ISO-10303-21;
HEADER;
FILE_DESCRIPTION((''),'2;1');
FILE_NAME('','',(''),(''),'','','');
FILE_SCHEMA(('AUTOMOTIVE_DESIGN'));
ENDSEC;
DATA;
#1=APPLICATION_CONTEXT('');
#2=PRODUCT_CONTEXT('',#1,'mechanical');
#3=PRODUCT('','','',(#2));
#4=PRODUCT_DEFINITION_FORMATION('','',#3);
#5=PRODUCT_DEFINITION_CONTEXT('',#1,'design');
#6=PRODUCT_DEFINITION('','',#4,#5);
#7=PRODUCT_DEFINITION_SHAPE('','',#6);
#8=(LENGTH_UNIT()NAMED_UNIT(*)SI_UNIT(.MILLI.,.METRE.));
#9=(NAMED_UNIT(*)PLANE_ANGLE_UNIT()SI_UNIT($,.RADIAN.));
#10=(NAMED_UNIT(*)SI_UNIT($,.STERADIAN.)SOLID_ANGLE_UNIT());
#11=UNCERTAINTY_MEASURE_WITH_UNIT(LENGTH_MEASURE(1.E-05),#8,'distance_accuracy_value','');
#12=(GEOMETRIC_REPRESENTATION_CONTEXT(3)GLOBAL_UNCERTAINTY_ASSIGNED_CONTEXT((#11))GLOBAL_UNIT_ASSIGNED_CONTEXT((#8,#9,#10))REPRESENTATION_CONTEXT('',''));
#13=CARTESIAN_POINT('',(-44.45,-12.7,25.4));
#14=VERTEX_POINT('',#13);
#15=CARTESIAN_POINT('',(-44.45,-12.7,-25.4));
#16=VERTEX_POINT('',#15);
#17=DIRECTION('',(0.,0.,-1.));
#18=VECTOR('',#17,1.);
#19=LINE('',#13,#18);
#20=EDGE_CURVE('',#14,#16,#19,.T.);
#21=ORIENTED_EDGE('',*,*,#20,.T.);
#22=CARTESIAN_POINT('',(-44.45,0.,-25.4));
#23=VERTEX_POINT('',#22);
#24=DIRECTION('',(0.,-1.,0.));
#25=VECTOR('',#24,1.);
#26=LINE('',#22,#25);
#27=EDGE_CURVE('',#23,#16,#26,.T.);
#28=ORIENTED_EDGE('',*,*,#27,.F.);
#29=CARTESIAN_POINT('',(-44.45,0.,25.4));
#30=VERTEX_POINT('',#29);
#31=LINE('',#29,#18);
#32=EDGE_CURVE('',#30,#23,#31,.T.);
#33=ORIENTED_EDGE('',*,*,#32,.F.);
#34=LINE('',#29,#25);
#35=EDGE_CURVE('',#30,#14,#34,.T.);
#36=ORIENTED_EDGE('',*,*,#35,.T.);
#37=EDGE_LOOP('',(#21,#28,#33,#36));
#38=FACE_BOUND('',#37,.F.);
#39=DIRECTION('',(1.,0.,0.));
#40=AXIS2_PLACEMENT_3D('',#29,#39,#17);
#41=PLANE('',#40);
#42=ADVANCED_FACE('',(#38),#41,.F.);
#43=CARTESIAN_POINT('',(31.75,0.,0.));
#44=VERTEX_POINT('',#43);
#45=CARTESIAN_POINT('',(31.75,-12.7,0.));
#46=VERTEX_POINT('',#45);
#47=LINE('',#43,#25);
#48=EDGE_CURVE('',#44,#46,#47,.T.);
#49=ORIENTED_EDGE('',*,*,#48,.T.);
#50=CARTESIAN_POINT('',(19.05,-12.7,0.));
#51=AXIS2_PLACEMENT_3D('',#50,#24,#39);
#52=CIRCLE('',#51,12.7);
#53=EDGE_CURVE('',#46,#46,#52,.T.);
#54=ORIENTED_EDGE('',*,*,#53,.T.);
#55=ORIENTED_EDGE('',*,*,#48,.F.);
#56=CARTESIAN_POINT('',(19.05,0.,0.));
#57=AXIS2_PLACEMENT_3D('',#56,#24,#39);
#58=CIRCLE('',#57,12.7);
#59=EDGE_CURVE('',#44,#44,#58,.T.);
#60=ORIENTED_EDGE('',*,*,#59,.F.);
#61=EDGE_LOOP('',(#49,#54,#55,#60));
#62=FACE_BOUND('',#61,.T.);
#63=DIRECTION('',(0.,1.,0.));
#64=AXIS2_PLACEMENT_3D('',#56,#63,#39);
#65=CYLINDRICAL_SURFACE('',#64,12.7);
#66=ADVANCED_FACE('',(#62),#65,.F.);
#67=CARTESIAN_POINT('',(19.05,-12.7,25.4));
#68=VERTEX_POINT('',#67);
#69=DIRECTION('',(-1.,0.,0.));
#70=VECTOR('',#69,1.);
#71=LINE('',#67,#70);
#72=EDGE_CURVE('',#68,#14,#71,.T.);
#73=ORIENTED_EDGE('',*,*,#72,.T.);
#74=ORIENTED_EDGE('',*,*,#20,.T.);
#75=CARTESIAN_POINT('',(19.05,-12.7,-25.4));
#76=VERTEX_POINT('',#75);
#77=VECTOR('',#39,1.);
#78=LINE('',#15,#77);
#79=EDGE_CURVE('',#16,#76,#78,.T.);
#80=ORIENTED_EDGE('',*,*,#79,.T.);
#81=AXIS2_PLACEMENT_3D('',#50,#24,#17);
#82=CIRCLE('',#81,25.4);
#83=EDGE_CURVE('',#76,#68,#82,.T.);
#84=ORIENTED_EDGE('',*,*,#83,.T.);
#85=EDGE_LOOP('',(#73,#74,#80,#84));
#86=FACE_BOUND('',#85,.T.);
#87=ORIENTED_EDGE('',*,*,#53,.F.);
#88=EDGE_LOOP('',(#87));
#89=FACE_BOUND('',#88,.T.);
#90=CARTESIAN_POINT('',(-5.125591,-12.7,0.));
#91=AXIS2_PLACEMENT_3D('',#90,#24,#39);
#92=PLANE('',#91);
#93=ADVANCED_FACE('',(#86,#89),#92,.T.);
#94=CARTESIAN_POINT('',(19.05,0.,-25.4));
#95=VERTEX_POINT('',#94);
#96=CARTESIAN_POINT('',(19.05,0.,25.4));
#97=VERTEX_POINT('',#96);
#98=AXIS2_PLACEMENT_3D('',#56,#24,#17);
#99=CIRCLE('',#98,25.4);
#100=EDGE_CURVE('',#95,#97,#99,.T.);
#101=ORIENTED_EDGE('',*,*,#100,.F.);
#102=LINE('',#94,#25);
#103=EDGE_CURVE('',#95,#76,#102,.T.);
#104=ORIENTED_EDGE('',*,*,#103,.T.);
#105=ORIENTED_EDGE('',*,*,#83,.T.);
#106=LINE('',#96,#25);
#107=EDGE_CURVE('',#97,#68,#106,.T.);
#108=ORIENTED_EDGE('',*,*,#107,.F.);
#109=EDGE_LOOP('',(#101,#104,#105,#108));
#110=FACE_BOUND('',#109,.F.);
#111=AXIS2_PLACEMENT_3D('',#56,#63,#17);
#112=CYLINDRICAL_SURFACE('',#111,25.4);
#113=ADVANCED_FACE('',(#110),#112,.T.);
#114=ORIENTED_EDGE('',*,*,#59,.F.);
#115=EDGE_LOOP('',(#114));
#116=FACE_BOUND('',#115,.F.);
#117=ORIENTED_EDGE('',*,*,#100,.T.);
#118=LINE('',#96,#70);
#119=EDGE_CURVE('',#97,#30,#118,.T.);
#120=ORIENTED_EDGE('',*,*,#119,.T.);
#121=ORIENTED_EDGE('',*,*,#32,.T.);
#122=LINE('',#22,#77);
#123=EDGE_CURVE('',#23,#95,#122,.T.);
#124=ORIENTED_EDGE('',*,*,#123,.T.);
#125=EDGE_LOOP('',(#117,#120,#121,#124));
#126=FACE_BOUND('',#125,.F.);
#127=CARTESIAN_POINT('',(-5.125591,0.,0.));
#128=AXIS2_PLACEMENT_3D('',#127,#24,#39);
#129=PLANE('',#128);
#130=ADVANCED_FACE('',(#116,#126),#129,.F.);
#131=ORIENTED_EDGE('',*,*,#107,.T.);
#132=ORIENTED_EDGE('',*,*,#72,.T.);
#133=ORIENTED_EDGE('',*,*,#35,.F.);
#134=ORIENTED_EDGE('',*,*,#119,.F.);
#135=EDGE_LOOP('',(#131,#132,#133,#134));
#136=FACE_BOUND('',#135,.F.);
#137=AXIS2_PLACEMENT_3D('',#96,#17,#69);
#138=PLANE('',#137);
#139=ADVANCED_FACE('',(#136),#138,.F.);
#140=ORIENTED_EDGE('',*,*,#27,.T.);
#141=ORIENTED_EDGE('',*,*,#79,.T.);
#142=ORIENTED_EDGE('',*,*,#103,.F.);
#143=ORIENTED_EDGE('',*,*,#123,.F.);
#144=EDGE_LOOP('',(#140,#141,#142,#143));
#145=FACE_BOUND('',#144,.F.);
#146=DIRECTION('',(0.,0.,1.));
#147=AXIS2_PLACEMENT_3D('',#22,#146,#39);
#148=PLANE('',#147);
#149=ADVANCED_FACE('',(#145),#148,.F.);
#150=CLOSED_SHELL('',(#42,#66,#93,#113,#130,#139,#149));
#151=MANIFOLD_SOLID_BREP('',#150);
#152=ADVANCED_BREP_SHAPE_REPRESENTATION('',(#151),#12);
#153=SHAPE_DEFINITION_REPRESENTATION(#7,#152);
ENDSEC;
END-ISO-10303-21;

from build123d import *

# Parameters (mm, degrees)
F0_R     = 12.7
F1_DEPTH = 12.7


with BuildPart() as f1:
    # F0 (on Front) → F1 (new body)
    with BuildSketch(Plane.XZ):
        with BuildLine():
            ThreePointArc((19.05, -25.4), (44.45, 0), (19.05, 25.4))
            Line((19.05, 25.4), (-44.45, 25.4))
            Line((-44.45, 25.4), (-44.45, -25.4))
            Line((-44.45, -25.4), (19.05, -25.4))
        make_face()
        with Locations((19.05, 0)):
            Circle(F0_R, mode=Mode.SUBTRACT)
    extrude(amount=F1_DEPTH)


solid = f1.part
